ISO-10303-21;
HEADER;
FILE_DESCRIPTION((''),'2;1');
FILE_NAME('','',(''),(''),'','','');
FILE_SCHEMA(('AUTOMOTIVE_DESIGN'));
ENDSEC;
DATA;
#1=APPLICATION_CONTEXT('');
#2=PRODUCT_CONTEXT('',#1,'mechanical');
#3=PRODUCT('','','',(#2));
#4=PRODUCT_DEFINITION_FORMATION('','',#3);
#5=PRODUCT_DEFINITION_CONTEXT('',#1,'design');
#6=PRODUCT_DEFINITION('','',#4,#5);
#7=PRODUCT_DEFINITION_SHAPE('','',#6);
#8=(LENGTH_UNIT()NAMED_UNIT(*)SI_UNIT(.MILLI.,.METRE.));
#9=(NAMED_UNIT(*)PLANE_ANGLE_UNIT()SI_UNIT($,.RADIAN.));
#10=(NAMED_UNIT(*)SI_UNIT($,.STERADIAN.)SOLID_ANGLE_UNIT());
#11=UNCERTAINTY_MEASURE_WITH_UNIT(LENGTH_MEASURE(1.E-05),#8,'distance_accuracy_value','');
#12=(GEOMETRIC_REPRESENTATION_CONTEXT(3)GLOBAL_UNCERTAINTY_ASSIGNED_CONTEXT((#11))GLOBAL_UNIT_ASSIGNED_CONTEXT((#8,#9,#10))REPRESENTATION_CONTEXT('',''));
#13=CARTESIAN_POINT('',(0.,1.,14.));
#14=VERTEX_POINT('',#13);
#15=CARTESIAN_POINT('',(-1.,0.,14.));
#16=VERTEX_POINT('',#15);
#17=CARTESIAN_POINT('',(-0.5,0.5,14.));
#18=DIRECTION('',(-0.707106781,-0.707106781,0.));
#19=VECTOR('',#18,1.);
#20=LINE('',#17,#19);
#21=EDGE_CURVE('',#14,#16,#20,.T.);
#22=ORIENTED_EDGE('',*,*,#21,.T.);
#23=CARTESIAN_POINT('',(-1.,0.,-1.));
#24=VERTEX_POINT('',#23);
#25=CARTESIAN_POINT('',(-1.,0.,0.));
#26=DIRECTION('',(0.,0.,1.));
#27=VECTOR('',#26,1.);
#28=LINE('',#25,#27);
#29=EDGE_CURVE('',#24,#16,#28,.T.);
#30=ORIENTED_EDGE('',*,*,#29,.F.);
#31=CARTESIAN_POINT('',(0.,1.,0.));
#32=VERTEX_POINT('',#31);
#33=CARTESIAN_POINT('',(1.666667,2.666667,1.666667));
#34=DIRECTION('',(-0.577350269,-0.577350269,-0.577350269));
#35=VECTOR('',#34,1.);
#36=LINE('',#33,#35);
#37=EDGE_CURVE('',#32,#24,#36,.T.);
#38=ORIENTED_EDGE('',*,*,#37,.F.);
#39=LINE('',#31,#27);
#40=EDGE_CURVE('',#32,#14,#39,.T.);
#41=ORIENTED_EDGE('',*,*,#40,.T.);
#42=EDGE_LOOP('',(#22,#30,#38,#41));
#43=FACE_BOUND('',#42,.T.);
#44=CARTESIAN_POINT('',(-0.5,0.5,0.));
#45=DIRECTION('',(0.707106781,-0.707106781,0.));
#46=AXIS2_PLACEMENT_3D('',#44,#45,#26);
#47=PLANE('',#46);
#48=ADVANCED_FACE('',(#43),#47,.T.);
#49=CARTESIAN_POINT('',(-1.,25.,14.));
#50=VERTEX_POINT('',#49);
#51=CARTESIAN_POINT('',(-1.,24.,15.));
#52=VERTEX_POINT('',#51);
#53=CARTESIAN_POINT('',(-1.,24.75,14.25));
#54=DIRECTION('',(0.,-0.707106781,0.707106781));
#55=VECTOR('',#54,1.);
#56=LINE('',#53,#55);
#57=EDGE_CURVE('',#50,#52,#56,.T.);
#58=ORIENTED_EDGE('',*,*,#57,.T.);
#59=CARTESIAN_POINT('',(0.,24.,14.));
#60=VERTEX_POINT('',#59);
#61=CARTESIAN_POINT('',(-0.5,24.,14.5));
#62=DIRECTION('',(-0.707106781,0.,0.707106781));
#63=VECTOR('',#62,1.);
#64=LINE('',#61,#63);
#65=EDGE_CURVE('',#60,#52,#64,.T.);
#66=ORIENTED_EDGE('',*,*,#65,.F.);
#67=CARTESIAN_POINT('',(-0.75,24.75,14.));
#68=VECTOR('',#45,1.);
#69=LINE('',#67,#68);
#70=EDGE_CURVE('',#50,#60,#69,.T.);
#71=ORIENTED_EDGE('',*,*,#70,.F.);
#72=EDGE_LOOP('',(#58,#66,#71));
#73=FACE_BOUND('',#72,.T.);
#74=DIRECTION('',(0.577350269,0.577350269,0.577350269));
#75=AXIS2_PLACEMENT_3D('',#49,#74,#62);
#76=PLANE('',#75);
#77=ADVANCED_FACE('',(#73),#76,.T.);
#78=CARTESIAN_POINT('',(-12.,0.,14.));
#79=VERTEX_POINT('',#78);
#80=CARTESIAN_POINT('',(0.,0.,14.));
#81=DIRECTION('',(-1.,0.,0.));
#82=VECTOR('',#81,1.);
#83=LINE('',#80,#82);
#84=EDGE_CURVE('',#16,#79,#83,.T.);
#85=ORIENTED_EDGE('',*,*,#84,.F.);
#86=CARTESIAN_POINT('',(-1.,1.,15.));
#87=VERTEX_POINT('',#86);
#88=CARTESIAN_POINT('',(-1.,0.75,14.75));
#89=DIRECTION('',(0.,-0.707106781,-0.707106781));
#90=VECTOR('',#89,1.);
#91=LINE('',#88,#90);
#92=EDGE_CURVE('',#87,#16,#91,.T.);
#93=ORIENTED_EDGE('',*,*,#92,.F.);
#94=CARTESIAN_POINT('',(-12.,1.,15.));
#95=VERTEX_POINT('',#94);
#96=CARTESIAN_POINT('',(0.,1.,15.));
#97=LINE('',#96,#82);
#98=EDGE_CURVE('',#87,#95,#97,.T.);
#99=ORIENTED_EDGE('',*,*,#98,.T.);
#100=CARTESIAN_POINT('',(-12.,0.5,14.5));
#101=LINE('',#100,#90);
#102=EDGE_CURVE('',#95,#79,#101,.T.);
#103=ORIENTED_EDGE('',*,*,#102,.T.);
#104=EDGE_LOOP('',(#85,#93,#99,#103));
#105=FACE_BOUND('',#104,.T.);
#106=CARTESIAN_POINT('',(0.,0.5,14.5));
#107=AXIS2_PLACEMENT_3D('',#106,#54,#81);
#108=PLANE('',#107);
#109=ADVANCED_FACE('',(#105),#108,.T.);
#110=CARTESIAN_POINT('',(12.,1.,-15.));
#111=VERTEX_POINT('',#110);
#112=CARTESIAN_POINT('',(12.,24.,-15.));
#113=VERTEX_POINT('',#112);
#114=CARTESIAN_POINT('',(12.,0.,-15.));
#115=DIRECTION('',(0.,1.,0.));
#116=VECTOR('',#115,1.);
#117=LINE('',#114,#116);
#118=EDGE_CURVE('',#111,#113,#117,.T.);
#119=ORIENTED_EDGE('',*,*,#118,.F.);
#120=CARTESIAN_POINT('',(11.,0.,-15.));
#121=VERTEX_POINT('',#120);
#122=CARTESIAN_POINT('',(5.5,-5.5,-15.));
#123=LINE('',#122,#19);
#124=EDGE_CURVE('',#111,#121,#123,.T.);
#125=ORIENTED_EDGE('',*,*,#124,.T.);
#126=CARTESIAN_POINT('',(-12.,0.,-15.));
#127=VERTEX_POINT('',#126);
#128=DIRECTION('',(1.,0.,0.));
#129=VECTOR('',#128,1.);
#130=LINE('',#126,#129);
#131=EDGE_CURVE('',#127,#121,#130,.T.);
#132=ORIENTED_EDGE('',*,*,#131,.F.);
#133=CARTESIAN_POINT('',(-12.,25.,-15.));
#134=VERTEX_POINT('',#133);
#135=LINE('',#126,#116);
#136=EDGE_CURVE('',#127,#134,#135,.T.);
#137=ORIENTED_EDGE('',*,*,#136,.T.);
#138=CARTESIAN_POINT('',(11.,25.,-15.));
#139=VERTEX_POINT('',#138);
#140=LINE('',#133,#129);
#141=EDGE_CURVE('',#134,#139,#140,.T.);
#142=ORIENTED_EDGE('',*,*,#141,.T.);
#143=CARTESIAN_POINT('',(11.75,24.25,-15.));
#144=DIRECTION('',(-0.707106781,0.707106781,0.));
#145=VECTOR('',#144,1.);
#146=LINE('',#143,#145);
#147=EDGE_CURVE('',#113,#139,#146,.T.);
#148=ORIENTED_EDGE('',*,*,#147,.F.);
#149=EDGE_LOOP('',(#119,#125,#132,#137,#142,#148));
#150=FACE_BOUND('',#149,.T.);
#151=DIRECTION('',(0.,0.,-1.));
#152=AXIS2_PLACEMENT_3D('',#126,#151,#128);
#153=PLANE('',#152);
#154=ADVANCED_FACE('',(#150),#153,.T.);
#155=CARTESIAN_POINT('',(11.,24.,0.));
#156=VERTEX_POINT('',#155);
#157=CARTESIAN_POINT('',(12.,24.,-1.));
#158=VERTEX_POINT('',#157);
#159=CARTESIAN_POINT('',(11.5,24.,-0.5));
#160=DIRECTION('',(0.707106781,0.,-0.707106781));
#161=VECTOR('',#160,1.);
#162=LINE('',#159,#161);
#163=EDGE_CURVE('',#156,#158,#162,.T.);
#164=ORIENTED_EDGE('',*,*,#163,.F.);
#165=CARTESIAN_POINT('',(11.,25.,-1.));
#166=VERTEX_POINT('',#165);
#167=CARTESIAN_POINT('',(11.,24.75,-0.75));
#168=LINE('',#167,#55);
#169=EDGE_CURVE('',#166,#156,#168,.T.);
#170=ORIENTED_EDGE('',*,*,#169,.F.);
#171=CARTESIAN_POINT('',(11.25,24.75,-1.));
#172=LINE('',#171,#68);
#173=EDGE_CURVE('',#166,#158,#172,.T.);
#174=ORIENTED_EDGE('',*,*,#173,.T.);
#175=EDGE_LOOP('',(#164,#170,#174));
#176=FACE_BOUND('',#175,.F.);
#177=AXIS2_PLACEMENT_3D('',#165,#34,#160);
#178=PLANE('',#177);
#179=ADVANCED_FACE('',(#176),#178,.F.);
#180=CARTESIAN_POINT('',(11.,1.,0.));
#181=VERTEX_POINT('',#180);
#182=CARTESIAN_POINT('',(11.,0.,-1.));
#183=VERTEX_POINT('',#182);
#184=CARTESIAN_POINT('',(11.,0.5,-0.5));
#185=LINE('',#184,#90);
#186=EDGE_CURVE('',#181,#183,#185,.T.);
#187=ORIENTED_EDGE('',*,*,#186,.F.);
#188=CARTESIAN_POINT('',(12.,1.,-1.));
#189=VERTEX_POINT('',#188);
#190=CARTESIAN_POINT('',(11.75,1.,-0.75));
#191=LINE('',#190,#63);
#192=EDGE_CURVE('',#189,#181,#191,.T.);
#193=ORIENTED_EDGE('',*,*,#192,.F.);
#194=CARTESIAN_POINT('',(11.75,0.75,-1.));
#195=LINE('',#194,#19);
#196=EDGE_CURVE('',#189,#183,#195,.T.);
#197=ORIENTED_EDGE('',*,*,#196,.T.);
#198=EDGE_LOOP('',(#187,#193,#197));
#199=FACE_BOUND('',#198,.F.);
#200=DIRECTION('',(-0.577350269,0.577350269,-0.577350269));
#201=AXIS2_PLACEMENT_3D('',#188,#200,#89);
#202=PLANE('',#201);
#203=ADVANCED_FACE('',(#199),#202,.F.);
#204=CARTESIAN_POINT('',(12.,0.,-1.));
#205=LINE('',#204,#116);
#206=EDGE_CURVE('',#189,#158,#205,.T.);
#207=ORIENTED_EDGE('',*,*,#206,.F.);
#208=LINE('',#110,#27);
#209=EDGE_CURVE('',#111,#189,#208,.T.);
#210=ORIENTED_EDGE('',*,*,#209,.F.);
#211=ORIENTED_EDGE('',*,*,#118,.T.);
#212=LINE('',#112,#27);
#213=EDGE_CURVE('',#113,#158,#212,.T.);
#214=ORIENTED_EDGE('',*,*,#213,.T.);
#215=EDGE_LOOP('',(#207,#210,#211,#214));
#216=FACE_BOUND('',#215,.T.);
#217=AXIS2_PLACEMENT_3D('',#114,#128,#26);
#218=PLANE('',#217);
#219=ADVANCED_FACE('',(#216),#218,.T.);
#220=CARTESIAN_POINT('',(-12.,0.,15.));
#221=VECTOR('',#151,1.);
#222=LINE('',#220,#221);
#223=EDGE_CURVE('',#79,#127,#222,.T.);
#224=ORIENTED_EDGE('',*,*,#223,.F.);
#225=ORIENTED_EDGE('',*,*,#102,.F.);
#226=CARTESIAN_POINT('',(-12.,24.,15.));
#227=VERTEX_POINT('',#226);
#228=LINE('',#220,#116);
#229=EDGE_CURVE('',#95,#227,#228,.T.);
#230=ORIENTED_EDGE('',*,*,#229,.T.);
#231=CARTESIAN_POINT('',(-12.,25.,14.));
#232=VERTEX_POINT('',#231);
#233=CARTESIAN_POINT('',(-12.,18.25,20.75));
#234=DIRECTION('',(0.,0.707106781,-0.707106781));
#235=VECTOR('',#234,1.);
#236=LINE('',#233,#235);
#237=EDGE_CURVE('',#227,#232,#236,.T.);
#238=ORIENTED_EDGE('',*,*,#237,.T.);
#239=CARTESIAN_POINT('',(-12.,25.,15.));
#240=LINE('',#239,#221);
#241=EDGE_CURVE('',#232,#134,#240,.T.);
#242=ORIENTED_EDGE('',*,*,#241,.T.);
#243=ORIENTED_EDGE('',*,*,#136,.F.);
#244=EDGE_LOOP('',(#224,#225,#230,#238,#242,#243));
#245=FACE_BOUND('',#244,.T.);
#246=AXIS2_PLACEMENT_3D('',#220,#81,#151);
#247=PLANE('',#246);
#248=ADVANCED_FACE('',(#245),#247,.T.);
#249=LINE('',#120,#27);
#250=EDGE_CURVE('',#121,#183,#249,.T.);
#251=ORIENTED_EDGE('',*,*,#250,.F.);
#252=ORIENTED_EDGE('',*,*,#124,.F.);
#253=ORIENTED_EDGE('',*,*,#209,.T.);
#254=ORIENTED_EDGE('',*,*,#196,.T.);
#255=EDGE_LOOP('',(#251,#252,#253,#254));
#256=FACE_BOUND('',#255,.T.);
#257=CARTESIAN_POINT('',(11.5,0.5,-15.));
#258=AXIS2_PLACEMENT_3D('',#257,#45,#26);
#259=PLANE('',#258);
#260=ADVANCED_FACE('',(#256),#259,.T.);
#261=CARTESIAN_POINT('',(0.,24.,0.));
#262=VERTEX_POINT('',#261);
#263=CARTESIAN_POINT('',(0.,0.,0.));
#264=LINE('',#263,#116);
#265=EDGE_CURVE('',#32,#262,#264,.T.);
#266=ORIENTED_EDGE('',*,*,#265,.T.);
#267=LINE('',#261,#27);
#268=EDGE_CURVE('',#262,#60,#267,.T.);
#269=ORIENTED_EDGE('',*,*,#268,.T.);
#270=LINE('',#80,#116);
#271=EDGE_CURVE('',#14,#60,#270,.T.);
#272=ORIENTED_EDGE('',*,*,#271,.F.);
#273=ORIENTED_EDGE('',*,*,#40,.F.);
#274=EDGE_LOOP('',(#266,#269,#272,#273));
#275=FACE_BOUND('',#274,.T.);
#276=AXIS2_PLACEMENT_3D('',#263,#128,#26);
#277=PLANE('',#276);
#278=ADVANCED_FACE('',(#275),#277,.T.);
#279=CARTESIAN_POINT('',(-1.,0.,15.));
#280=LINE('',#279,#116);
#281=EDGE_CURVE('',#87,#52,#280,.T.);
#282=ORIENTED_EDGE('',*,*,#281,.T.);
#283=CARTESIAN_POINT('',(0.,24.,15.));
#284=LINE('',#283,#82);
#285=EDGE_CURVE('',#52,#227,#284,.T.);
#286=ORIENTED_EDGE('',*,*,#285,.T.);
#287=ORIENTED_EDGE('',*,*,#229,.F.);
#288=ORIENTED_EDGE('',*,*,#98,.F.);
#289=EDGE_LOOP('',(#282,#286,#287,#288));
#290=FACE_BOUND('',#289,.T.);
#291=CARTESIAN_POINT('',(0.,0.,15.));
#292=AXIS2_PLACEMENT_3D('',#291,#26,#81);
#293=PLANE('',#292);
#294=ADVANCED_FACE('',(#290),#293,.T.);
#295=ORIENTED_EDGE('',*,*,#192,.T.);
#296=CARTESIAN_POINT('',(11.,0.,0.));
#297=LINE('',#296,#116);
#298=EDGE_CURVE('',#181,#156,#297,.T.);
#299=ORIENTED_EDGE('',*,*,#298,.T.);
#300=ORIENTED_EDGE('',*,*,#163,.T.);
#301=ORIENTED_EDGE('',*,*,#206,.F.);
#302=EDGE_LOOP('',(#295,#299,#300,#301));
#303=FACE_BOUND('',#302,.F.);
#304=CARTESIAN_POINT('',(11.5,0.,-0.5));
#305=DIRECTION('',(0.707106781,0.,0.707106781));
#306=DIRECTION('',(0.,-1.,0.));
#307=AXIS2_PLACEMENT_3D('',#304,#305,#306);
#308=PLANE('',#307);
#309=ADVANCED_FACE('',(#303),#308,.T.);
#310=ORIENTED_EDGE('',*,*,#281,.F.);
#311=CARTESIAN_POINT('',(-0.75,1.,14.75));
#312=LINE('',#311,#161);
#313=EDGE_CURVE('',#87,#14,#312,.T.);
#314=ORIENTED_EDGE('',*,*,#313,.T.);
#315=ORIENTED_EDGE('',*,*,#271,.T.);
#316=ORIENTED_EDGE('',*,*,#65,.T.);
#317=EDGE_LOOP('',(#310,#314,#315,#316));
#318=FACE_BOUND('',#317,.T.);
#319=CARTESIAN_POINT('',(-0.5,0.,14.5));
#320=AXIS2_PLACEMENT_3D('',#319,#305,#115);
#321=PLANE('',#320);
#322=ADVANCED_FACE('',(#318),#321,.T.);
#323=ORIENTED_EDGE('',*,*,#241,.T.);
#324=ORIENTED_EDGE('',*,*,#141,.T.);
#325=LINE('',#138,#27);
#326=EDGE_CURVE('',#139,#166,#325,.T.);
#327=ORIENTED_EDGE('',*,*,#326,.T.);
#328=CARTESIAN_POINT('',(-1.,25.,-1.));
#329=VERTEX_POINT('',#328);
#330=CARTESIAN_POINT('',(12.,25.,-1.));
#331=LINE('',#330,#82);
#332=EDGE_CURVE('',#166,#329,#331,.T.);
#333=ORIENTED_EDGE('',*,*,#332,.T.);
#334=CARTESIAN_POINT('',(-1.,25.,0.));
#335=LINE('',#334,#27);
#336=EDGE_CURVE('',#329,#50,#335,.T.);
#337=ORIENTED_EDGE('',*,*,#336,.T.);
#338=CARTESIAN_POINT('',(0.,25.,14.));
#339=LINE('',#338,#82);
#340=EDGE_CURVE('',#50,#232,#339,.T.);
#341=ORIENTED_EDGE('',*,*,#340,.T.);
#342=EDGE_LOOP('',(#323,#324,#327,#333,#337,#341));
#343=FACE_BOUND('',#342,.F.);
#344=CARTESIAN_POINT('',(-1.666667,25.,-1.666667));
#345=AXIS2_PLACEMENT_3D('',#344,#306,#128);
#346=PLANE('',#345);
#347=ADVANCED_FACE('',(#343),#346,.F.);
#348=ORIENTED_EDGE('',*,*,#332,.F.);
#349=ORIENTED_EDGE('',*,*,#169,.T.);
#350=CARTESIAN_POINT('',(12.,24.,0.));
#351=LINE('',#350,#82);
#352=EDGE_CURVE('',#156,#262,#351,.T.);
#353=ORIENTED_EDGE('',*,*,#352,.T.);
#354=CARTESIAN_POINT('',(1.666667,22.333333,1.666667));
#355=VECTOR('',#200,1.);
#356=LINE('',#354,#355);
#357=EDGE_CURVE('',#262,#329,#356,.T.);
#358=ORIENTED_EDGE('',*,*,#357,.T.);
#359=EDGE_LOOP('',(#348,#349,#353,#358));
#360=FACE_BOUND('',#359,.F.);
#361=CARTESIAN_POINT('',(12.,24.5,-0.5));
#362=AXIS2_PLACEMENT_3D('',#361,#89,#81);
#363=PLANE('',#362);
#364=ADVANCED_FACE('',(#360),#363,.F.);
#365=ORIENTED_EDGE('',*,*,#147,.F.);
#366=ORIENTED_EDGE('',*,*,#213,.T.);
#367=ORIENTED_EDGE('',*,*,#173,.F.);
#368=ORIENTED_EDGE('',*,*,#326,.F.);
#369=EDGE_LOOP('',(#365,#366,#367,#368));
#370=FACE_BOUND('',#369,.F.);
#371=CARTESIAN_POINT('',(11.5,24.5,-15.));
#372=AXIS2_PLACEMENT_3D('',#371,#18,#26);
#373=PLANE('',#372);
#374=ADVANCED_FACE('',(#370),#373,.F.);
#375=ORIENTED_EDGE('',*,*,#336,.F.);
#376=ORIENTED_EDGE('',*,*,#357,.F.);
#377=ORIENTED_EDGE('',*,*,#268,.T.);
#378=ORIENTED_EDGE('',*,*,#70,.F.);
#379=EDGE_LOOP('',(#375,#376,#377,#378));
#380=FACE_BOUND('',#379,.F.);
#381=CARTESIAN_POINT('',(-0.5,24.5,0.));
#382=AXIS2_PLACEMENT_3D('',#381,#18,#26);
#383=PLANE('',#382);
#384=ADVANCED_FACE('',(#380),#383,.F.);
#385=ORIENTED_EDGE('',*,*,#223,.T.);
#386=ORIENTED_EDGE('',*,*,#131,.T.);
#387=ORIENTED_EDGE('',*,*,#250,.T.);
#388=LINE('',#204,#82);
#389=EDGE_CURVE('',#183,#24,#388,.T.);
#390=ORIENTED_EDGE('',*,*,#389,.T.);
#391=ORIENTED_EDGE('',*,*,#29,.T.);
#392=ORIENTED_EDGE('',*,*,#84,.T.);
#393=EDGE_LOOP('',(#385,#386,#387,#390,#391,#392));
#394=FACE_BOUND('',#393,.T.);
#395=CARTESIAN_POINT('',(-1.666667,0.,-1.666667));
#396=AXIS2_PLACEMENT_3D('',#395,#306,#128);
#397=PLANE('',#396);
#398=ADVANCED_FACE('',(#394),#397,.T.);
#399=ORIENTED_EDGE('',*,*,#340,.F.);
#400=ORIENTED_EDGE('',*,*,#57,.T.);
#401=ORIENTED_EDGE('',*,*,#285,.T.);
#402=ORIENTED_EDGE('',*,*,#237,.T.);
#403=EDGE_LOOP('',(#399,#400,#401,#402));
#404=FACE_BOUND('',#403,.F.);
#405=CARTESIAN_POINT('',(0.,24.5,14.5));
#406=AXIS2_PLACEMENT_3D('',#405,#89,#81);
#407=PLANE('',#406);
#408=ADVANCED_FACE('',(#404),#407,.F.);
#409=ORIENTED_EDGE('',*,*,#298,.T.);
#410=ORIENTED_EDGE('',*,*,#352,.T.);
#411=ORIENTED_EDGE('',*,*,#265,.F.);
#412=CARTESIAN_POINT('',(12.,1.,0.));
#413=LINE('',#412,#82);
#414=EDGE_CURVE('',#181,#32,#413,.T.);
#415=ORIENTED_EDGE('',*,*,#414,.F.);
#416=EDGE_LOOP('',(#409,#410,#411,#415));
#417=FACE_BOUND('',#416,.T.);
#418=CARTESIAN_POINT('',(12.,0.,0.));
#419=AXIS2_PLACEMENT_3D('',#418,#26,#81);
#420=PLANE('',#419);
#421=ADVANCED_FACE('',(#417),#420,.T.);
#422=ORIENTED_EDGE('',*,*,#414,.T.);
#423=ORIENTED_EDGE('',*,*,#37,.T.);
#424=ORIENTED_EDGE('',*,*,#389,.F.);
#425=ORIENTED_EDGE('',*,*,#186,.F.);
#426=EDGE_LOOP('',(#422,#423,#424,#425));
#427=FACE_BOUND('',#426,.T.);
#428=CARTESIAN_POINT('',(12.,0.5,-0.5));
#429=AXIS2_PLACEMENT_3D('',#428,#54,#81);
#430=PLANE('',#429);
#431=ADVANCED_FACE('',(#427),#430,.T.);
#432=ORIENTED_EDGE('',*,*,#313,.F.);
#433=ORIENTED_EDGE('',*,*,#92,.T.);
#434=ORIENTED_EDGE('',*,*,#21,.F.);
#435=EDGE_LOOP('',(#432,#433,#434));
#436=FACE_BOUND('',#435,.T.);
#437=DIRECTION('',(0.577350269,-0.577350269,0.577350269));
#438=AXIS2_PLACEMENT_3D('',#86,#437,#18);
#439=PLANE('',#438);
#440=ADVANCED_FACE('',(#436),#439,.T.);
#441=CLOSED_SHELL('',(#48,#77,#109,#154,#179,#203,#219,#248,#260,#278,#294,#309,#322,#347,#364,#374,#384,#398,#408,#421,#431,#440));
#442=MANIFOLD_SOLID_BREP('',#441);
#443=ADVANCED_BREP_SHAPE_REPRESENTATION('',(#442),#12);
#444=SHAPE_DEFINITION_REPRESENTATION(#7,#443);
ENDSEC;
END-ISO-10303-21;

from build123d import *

# Parameters (mm, degrees)
F1_DEPTH = 25
F2_SIZE  = 1


with BuildPart() as f1:
    # F0 (on Front) → F1 (new body)
    with BuildSketch(Plane.XZ):
        Polygon((12, 0), (0, 0), (0, 15), (-12, 15), (-12, -15), (12, -15), align=None)
    extrude(amount=-F1_DEPTH)

    # F2
    f2_edges = [f1.edges().sort_by_distance(p)[0] for p in [
        (0, 0, 7.5),
        (0, 12.5, 15),
        (6, 0, 0),
        (12, 12.5, 0),
        (12, 0, -7.5),
        (0, 25, 7.5),
        (6, 25, 0),
        (12, 25, -7.5),
        (-6, 25, 15),
        (-6, 0, 15),
    ]]
    chamfer(f2_edges, length=F2_SIZE)


solid = f1.part
